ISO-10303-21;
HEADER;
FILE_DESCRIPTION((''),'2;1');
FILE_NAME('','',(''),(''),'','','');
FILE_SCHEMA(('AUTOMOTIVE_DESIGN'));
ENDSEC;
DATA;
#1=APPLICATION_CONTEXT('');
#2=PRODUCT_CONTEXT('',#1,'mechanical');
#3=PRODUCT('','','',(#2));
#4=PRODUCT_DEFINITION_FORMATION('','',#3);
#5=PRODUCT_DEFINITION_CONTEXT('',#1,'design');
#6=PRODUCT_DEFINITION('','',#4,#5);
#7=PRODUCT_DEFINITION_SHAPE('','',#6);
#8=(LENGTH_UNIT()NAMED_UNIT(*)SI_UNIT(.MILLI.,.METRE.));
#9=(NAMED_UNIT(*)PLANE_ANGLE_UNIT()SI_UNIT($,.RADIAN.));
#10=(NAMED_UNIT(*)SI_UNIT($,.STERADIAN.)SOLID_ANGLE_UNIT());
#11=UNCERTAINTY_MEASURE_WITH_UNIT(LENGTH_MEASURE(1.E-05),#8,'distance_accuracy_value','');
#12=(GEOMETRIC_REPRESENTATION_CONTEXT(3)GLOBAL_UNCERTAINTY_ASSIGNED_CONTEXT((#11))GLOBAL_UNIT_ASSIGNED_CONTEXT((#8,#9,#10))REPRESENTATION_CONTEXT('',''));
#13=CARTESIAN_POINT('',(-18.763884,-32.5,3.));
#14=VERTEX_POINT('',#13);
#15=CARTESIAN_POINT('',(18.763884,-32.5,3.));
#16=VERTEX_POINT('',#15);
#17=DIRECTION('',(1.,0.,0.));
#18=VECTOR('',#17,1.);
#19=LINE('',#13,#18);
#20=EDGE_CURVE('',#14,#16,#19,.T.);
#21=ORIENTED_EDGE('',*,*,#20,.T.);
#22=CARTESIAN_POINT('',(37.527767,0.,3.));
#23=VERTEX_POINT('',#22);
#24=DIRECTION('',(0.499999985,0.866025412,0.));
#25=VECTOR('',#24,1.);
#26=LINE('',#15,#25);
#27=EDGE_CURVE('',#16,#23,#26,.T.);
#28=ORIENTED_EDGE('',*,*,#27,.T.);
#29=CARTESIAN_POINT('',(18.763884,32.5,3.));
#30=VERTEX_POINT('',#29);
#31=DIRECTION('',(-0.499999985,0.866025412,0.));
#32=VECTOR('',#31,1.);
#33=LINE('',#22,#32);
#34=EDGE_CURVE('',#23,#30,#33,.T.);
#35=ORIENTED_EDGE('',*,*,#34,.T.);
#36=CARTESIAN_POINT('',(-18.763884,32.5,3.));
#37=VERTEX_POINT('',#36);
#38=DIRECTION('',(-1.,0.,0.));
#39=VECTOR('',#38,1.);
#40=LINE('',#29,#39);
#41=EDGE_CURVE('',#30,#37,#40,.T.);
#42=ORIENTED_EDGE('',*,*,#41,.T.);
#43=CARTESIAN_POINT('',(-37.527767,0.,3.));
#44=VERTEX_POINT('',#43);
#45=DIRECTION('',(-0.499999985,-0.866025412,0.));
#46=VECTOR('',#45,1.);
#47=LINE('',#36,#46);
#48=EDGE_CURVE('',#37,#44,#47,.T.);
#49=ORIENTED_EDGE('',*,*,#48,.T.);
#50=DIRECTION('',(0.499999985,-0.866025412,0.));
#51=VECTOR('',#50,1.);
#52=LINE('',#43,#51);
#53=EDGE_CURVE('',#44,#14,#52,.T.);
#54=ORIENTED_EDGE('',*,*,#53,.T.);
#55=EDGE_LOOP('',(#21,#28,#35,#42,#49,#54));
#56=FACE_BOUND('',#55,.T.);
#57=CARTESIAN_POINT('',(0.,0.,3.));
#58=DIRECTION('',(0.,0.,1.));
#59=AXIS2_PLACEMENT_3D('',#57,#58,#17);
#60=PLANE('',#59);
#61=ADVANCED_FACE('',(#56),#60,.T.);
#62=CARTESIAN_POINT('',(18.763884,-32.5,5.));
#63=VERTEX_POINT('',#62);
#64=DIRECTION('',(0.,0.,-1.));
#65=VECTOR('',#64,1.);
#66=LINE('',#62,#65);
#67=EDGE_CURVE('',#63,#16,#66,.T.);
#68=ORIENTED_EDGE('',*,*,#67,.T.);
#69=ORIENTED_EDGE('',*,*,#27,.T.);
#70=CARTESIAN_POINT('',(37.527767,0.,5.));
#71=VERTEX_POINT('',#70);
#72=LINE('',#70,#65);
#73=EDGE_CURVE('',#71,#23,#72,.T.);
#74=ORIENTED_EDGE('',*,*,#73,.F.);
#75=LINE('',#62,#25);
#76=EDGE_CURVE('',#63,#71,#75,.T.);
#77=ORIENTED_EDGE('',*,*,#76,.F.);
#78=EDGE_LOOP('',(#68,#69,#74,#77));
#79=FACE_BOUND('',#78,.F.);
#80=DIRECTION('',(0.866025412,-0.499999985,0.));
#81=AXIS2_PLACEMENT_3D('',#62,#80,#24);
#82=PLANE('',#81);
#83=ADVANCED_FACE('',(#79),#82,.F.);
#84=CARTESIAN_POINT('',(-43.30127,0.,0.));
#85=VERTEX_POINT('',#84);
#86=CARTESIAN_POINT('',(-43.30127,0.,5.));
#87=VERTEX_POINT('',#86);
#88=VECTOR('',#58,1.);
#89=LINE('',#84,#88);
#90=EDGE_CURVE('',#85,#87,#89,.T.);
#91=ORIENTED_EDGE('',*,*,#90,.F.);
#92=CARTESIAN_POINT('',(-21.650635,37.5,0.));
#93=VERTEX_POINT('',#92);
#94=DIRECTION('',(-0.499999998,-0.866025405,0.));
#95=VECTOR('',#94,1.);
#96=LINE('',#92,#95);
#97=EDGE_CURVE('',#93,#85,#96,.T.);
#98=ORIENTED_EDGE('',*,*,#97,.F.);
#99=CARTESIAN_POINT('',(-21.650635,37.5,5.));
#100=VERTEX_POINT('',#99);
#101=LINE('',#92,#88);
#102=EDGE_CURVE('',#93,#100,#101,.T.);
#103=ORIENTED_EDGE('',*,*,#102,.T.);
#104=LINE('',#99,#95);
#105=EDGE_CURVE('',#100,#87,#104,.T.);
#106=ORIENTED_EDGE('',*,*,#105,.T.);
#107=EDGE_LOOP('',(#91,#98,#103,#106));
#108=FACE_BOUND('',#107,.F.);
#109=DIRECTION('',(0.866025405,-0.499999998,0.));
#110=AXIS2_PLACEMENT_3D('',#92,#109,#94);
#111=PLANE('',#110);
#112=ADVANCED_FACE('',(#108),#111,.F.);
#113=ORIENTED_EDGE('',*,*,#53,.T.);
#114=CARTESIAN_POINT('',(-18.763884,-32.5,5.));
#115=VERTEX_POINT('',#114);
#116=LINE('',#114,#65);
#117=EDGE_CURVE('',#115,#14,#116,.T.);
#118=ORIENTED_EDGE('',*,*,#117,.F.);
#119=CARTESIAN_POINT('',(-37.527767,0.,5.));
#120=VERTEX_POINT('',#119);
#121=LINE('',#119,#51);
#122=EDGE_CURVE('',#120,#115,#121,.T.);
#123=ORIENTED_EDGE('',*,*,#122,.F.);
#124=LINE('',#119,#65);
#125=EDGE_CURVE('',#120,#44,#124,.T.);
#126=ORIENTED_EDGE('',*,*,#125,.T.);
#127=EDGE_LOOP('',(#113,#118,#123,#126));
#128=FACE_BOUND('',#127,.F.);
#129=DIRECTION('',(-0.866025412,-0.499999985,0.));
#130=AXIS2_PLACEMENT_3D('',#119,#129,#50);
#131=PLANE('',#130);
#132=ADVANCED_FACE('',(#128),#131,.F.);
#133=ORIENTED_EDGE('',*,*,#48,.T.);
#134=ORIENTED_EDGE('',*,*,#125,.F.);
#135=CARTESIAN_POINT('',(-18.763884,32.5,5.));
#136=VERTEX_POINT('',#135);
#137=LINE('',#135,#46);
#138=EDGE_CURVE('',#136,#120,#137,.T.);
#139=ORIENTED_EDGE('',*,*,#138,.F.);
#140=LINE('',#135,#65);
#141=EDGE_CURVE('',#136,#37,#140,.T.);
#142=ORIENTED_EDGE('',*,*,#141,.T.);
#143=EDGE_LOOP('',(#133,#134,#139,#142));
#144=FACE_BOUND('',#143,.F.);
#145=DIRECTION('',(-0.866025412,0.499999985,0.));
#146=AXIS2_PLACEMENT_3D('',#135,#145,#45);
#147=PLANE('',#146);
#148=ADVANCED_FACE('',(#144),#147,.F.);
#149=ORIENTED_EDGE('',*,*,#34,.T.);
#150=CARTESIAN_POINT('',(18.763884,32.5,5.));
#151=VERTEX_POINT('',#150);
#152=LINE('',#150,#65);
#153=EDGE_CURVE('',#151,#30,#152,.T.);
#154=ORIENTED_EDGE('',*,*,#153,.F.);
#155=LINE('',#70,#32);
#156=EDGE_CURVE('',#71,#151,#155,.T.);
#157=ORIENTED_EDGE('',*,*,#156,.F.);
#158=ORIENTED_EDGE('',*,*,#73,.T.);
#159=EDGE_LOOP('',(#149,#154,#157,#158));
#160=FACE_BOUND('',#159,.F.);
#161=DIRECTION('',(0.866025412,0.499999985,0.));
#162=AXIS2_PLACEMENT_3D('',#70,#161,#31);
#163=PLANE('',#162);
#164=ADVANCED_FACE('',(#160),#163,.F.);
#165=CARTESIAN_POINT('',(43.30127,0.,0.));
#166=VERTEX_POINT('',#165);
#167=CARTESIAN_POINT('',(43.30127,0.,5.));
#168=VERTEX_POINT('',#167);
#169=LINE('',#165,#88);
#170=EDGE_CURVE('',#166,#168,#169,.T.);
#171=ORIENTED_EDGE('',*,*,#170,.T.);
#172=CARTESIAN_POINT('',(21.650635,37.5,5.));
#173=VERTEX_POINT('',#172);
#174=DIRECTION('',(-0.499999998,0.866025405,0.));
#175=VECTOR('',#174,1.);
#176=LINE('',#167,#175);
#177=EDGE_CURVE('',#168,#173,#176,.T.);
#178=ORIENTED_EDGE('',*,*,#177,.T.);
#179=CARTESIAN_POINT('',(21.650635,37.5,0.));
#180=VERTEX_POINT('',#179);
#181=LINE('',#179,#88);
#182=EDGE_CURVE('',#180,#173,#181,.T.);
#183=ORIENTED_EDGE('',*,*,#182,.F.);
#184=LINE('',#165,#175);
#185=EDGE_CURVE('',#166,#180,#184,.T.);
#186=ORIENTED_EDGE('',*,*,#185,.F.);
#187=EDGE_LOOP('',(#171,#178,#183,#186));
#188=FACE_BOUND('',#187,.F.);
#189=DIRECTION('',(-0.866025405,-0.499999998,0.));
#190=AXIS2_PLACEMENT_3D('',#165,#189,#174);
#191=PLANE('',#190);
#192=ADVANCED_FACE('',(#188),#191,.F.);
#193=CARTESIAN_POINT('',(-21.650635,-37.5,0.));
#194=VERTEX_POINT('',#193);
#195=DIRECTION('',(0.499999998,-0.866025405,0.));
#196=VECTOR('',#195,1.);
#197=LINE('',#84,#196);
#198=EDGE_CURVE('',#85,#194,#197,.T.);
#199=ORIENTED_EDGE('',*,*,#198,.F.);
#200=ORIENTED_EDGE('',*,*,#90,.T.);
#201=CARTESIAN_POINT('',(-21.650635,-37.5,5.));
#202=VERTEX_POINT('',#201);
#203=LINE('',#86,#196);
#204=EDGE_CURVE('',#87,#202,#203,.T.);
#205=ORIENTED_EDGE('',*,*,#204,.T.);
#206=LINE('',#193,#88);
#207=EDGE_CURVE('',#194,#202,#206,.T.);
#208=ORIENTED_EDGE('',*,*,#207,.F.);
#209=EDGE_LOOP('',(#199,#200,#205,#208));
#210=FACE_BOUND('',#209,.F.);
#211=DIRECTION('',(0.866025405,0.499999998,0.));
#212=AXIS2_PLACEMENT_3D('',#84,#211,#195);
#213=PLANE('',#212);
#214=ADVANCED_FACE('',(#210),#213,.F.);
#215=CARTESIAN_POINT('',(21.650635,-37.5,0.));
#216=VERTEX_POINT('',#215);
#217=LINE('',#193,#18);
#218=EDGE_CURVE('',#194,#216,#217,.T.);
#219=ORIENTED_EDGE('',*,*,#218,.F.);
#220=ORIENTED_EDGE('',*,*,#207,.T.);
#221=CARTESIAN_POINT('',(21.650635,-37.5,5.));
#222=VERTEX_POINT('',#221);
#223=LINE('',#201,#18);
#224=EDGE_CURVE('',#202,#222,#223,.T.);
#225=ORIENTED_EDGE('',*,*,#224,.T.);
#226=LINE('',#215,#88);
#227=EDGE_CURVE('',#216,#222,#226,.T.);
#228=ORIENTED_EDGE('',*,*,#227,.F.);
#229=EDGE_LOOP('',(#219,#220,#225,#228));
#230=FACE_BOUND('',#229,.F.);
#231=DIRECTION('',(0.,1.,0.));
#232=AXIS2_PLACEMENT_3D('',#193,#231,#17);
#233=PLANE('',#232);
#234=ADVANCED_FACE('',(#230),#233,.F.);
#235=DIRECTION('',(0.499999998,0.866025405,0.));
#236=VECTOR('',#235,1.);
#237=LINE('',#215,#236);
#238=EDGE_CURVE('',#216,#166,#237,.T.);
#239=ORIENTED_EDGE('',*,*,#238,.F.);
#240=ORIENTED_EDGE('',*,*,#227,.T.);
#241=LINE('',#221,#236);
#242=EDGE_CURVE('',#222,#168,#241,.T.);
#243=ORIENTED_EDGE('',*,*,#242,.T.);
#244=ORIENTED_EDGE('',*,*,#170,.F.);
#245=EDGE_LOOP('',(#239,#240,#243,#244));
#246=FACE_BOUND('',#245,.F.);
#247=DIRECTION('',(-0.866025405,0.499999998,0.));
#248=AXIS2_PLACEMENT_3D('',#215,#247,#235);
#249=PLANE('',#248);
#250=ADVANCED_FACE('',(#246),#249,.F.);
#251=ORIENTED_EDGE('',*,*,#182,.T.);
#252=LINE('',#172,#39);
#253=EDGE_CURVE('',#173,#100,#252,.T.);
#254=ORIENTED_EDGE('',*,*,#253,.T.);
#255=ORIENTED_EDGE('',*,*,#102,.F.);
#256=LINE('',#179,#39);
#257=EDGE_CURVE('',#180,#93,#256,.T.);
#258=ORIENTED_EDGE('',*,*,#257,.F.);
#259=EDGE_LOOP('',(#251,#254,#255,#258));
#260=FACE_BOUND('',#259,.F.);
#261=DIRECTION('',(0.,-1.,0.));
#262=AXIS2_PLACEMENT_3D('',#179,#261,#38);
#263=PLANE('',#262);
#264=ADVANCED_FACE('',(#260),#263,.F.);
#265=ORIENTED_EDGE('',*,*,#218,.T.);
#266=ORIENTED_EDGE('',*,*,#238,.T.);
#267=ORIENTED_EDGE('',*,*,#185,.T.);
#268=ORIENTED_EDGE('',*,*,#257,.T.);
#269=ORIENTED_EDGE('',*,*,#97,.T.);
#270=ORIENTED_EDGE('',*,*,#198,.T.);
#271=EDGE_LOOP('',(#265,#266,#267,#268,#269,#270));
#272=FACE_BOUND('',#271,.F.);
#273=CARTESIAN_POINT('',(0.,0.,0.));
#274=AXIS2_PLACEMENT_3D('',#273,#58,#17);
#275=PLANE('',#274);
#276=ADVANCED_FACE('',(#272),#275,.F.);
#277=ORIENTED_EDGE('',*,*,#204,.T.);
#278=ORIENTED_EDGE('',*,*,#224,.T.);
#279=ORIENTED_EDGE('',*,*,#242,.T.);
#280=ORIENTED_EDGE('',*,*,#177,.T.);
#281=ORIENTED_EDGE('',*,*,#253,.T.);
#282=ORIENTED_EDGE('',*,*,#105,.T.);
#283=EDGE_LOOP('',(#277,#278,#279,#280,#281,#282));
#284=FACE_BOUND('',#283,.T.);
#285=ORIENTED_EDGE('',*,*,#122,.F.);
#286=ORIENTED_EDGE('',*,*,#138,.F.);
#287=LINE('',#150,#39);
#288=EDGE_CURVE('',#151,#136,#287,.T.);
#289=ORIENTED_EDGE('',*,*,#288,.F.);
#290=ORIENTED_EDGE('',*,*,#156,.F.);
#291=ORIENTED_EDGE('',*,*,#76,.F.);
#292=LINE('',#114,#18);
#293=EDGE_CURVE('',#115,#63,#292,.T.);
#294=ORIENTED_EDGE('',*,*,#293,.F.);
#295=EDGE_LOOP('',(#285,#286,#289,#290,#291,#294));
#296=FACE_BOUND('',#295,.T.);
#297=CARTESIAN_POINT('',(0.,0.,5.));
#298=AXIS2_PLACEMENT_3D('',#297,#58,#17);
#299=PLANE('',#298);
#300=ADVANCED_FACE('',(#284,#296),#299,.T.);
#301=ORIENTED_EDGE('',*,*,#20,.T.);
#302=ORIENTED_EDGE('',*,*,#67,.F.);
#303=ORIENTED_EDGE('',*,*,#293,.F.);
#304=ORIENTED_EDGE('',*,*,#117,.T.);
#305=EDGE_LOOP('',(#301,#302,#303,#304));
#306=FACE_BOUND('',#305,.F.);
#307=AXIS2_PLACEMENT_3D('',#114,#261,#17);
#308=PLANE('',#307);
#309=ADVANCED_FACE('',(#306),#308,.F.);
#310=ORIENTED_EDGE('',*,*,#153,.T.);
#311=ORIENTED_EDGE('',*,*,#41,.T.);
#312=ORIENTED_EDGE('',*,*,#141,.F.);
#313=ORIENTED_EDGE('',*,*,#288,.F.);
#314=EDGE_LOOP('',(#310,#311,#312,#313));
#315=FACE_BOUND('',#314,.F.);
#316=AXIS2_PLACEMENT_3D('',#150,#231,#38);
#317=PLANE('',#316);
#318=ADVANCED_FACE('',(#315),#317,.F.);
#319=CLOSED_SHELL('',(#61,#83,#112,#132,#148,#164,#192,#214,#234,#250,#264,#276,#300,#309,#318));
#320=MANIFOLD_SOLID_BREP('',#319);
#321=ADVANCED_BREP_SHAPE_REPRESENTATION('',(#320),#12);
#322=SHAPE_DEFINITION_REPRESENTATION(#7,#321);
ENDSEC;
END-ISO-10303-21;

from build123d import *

# Parameters (mm, degrees)
F1_DEPTH = 5
F3_DEPTH = 2


with BuildPart() as f1:
    # F0 (on Top) → F1 (new body)
    with BuildSketch(Plane.XY):
        Polygon((21.650635, 37.5), (-21.650635, 37.5), (-43.30127, 0), (-21.650635, -37.5), (21.650635, -37.5), (43.30127, 0), align=None)
    extrude(amount=F1_DEPTH)

    # F2 (on face) → F3 (cut)
    with BuildSketch(Plane.XY.offset(5)):
        Polygon((18.763884, 32.5), (-18.763884, 32.5), (-37.527767, 0), (-18.763884, -32.5), (18.763884, -32.5), (37.527767, 0), align=None)
    extrude(amount=-F3_DEPTH, mode=Mode.SUBTRACT)


solid = f1.part
